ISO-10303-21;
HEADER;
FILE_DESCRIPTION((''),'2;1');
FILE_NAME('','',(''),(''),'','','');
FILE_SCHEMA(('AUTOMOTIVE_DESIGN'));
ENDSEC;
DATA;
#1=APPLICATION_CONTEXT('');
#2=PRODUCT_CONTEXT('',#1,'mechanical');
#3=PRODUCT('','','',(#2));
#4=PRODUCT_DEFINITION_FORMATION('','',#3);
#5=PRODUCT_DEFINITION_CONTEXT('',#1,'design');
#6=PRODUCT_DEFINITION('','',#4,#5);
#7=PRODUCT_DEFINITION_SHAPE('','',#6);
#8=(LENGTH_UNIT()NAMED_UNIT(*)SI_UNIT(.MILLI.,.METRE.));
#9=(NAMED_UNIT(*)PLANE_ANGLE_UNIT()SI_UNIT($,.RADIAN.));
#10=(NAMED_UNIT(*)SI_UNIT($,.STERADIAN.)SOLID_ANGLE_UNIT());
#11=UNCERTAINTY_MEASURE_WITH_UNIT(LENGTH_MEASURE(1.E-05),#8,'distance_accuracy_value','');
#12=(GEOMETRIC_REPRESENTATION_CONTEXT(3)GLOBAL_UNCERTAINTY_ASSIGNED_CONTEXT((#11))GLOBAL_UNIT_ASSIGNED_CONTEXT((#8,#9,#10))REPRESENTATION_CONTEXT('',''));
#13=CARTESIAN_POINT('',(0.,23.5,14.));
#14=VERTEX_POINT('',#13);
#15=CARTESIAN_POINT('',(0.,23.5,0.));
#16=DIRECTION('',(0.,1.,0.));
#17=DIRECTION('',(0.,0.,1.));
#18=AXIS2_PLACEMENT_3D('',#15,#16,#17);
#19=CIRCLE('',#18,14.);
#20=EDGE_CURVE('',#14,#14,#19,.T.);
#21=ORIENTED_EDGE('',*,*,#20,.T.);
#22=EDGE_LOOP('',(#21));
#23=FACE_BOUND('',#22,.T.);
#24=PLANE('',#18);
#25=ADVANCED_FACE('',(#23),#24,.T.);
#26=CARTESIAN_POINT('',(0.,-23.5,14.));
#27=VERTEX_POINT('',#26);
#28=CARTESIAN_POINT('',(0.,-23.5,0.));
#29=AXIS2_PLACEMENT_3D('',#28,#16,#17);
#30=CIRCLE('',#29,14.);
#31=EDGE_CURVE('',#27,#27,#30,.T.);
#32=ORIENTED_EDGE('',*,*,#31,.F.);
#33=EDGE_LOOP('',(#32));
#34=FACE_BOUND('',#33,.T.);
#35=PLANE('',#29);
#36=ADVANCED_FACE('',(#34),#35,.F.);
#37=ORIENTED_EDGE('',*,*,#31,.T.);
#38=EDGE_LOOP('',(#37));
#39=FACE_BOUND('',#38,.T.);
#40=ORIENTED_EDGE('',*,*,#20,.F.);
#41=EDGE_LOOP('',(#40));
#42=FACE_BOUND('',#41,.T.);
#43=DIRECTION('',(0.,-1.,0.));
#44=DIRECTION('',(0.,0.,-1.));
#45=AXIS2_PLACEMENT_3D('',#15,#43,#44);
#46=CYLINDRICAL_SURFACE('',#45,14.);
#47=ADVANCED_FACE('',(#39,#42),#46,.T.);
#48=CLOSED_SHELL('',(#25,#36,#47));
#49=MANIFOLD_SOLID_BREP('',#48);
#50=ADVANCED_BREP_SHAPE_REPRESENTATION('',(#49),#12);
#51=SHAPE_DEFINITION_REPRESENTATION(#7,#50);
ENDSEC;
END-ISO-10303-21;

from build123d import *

# Parameters (mm, degrees)
SKETCH1_R           = 14
BOSS_EXTRUDE1_DEPTH = 23.5


with BuildPart() as part:
    # Sketch1 → Boss-Extrude1 (new body, symmetric)
    with BuildSketch(Plane(origin=(0, 0, 0), x_dir=(1, 0, 0), z_dir=(0, 1, 0))):
        Circle(SKETCH1_R)
    extrude(amount=BOSS_EXTRUDE1_DEPTH, both=True)


solid = part.part
